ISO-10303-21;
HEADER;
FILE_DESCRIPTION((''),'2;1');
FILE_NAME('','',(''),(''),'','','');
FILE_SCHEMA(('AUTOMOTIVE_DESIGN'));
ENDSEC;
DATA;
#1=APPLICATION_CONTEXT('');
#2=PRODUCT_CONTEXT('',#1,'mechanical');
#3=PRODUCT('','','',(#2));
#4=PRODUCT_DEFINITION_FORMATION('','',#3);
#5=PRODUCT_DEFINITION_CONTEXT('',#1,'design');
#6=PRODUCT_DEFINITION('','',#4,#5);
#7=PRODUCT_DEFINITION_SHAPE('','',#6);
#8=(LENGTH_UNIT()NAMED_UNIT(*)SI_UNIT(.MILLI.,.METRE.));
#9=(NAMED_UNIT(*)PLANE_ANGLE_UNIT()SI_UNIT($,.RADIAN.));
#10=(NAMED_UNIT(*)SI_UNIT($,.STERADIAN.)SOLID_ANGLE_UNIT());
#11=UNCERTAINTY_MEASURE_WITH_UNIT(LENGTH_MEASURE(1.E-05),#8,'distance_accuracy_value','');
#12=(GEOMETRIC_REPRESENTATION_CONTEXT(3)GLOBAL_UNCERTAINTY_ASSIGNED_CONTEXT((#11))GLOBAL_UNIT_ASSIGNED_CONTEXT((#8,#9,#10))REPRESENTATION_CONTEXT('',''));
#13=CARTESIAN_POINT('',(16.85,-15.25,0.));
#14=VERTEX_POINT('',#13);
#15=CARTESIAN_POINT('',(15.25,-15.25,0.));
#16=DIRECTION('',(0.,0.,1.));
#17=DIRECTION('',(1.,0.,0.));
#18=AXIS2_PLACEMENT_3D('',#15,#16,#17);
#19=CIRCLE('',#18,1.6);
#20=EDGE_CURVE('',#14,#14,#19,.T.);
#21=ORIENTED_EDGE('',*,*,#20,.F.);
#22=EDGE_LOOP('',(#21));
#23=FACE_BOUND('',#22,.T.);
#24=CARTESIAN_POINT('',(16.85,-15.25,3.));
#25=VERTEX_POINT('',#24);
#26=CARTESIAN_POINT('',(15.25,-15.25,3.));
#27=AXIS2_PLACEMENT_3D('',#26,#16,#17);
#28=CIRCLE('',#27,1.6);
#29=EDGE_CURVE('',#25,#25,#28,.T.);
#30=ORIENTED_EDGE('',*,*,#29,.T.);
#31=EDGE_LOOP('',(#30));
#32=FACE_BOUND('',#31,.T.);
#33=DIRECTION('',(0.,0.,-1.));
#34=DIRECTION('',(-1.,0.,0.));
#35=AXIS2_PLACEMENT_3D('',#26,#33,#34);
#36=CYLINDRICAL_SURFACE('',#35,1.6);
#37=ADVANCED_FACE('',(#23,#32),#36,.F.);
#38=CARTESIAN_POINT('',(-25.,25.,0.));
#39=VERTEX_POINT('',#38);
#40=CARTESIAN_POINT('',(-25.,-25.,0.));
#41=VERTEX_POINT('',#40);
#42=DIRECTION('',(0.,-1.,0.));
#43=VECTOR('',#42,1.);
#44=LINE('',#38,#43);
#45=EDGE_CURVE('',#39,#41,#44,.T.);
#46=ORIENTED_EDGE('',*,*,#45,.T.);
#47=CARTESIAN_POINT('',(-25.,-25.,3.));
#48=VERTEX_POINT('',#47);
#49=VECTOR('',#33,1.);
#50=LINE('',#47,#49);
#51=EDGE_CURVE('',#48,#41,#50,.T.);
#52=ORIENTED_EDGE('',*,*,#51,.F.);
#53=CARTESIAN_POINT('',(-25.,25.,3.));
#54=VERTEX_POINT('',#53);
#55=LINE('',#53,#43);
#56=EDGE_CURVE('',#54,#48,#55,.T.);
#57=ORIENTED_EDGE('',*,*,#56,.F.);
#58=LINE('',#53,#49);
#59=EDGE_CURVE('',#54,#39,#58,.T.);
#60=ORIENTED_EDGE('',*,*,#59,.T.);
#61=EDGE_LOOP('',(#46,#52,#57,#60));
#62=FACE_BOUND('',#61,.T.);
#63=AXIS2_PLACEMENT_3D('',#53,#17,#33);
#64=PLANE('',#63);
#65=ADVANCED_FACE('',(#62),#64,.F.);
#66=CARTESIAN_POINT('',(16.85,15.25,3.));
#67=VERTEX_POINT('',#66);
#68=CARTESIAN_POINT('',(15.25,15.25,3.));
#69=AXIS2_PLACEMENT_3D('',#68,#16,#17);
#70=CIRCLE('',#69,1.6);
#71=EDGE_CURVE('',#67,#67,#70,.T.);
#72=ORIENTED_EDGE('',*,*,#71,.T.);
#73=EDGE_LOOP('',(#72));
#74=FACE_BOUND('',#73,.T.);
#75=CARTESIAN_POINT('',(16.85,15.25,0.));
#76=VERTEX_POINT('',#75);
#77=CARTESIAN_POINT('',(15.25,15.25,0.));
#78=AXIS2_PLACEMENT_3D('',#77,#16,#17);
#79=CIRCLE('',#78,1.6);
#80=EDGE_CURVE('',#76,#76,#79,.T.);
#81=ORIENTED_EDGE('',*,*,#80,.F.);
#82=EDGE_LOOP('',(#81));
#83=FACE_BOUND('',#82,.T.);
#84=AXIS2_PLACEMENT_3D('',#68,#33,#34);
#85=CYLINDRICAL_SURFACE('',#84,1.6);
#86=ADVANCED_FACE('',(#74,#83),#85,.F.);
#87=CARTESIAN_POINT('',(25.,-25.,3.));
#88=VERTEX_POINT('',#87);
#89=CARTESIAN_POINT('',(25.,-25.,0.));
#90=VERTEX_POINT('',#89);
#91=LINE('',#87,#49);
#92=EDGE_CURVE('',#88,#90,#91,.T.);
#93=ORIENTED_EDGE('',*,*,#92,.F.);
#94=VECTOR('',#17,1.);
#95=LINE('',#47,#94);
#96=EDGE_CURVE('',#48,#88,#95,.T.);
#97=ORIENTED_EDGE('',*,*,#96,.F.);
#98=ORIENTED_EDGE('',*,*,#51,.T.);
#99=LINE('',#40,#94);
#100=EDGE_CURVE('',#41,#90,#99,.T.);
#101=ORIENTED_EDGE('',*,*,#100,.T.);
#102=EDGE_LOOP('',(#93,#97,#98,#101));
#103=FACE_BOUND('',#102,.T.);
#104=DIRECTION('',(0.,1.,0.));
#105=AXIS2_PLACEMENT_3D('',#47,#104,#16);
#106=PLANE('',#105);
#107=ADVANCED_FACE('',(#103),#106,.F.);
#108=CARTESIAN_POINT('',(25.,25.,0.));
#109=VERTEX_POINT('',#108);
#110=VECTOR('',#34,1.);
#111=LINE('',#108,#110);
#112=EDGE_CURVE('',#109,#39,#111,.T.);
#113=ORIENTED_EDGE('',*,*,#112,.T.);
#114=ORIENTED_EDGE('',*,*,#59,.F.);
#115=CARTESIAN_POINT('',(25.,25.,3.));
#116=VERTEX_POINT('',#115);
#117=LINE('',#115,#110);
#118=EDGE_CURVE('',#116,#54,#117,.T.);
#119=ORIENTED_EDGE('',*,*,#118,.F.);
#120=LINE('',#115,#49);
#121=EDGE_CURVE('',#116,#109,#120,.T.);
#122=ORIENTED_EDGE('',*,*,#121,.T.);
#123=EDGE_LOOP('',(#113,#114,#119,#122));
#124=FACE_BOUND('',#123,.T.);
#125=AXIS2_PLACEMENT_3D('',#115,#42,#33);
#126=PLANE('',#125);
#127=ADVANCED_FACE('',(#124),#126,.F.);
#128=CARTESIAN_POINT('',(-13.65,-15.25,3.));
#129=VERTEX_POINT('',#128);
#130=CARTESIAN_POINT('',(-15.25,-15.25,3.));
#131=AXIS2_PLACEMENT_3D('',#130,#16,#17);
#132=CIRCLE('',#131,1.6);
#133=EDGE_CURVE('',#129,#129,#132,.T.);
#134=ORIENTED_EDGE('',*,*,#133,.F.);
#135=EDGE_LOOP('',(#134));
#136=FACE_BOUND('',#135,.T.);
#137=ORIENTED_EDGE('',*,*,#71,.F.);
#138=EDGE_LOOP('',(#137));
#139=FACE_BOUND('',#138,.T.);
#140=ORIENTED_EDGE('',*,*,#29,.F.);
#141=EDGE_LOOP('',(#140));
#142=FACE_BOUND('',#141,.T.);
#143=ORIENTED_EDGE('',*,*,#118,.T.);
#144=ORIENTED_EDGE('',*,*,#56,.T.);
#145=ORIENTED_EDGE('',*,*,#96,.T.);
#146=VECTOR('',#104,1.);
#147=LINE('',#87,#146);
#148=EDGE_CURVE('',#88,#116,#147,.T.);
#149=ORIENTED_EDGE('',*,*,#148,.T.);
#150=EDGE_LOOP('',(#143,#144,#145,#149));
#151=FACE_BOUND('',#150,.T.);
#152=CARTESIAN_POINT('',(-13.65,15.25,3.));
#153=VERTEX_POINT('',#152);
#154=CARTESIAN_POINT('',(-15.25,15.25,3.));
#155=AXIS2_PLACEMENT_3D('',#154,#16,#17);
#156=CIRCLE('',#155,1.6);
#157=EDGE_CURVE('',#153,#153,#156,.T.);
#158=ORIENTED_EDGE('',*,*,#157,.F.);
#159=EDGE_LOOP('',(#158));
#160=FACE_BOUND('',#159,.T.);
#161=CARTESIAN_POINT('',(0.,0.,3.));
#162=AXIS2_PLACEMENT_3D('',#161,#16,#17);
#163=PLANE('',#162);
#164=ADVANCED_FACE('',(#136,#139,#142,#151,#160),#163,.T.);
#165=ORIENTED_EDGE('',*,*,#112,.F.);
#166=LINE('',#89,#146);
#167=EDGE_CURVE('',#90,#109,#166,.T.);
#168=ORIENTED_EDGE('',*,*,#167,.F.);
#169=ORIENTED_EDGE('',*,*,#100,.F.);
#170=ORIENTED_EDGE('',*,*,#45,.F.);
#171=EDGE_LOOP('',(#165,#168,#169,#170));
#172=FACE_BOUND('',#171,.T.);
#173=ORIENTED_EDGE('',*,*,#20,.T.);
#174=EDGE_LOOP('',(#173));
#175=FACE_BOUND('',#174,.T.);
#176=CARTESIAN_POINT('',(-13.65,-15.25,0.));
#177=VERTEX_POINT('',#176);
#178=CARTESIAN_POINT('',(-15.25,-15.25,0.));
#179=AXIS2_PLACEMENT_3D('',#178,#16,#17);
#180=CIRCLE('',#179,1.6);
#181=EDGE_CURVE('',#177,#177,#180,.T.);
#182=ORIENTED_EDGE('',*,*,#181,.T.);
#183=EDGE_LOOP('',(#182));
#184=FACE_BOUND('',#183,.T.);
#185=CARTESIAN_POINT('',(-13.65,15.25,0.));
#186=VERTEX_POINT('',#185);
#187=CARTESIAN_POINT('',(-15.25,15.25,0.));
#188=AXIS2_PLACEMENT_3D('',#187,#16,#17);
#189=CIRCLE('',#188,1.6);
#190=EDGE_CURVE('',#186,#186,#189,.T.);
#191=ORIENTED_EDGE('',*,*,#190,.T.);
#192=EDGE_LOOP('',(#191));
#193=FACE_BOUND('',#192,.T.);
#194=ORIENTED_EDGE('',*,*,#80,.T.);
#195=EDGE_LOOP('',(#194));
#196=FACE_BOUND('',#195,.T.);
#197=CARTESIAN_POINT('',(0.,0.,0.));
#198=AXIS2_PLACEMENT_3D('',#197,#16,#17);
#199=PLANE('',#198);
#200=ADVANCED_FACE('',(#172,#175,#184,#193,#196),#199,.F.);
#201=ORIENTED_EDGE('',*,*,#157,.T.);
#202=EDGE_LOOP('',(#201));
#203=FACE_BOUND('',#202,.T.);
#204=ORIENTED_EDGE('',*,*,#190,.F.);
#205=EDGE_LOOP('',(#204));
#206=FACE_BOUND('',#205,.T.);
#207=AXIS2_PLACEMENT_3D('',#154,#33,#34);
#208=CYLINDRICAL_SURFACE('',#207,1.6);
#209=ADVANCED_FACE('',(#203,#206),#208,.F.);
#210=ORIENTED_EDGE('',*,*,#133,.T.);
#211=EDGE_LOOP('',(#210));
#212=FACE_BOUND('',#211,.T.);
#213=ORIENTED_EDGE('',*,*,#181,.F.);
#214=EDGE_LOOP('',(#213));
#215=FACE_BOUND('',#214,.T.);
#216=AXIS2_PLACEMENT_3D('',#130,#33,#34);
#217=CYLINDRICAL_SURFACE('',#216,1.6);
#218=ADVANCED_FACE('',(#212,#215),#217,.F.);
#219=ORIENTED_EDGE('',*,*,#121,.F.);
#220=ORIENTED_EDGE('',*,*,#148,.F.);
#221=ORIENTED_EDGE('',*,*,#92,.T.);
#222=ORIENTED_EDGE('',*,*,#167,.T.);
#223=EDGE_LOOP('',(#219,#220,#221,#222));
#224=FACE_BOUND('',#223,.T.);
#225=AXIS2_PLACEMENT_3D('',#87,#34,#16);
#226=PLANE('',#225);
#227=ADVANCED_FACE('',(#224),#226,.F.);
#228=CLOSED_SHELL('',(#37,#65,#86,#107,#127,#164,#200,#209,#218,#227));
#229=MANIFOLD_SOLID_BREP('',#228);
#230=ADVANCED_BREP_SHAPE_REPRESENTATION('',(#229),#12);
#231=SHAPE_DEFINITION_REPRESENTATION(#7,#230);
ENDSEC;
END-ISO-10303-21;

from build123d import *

# Parameters (mm, degrees)
SKETCH_1_W        = 50
SKETCH_1_H        = 50
SKETCH_1_R        = 1.6
EXTRUDE_219_DEPTH = 3


with BuildPart() as part:
    # 草图1 → Extrude 219 (new body)
    with BuildSketch(Plane.XY):
        Rectangle(SKETCH_1_W, SKETCH_1_H)
        with Locations((-15.25, -15.25)):
            Circle(SKETCH_1_R, mode=Mode.SUBTRACT)
        with Locations((-15.25, 15.25)):
            Circle(SKETCH_1_R, mode=Mode.SUBTRACT)
        with Locations((15.25, -15.25)):
            Circle(SKETCH_1_R, mode=Mode.SUBTRACT)
        with Locations((15.25, 15.25)):
            Circle(SKETCH_1_R, mode=Mode.SUBTRACT)
    extrude(amount=EXTRUDE_219_DEPTH)


solid = part.part
